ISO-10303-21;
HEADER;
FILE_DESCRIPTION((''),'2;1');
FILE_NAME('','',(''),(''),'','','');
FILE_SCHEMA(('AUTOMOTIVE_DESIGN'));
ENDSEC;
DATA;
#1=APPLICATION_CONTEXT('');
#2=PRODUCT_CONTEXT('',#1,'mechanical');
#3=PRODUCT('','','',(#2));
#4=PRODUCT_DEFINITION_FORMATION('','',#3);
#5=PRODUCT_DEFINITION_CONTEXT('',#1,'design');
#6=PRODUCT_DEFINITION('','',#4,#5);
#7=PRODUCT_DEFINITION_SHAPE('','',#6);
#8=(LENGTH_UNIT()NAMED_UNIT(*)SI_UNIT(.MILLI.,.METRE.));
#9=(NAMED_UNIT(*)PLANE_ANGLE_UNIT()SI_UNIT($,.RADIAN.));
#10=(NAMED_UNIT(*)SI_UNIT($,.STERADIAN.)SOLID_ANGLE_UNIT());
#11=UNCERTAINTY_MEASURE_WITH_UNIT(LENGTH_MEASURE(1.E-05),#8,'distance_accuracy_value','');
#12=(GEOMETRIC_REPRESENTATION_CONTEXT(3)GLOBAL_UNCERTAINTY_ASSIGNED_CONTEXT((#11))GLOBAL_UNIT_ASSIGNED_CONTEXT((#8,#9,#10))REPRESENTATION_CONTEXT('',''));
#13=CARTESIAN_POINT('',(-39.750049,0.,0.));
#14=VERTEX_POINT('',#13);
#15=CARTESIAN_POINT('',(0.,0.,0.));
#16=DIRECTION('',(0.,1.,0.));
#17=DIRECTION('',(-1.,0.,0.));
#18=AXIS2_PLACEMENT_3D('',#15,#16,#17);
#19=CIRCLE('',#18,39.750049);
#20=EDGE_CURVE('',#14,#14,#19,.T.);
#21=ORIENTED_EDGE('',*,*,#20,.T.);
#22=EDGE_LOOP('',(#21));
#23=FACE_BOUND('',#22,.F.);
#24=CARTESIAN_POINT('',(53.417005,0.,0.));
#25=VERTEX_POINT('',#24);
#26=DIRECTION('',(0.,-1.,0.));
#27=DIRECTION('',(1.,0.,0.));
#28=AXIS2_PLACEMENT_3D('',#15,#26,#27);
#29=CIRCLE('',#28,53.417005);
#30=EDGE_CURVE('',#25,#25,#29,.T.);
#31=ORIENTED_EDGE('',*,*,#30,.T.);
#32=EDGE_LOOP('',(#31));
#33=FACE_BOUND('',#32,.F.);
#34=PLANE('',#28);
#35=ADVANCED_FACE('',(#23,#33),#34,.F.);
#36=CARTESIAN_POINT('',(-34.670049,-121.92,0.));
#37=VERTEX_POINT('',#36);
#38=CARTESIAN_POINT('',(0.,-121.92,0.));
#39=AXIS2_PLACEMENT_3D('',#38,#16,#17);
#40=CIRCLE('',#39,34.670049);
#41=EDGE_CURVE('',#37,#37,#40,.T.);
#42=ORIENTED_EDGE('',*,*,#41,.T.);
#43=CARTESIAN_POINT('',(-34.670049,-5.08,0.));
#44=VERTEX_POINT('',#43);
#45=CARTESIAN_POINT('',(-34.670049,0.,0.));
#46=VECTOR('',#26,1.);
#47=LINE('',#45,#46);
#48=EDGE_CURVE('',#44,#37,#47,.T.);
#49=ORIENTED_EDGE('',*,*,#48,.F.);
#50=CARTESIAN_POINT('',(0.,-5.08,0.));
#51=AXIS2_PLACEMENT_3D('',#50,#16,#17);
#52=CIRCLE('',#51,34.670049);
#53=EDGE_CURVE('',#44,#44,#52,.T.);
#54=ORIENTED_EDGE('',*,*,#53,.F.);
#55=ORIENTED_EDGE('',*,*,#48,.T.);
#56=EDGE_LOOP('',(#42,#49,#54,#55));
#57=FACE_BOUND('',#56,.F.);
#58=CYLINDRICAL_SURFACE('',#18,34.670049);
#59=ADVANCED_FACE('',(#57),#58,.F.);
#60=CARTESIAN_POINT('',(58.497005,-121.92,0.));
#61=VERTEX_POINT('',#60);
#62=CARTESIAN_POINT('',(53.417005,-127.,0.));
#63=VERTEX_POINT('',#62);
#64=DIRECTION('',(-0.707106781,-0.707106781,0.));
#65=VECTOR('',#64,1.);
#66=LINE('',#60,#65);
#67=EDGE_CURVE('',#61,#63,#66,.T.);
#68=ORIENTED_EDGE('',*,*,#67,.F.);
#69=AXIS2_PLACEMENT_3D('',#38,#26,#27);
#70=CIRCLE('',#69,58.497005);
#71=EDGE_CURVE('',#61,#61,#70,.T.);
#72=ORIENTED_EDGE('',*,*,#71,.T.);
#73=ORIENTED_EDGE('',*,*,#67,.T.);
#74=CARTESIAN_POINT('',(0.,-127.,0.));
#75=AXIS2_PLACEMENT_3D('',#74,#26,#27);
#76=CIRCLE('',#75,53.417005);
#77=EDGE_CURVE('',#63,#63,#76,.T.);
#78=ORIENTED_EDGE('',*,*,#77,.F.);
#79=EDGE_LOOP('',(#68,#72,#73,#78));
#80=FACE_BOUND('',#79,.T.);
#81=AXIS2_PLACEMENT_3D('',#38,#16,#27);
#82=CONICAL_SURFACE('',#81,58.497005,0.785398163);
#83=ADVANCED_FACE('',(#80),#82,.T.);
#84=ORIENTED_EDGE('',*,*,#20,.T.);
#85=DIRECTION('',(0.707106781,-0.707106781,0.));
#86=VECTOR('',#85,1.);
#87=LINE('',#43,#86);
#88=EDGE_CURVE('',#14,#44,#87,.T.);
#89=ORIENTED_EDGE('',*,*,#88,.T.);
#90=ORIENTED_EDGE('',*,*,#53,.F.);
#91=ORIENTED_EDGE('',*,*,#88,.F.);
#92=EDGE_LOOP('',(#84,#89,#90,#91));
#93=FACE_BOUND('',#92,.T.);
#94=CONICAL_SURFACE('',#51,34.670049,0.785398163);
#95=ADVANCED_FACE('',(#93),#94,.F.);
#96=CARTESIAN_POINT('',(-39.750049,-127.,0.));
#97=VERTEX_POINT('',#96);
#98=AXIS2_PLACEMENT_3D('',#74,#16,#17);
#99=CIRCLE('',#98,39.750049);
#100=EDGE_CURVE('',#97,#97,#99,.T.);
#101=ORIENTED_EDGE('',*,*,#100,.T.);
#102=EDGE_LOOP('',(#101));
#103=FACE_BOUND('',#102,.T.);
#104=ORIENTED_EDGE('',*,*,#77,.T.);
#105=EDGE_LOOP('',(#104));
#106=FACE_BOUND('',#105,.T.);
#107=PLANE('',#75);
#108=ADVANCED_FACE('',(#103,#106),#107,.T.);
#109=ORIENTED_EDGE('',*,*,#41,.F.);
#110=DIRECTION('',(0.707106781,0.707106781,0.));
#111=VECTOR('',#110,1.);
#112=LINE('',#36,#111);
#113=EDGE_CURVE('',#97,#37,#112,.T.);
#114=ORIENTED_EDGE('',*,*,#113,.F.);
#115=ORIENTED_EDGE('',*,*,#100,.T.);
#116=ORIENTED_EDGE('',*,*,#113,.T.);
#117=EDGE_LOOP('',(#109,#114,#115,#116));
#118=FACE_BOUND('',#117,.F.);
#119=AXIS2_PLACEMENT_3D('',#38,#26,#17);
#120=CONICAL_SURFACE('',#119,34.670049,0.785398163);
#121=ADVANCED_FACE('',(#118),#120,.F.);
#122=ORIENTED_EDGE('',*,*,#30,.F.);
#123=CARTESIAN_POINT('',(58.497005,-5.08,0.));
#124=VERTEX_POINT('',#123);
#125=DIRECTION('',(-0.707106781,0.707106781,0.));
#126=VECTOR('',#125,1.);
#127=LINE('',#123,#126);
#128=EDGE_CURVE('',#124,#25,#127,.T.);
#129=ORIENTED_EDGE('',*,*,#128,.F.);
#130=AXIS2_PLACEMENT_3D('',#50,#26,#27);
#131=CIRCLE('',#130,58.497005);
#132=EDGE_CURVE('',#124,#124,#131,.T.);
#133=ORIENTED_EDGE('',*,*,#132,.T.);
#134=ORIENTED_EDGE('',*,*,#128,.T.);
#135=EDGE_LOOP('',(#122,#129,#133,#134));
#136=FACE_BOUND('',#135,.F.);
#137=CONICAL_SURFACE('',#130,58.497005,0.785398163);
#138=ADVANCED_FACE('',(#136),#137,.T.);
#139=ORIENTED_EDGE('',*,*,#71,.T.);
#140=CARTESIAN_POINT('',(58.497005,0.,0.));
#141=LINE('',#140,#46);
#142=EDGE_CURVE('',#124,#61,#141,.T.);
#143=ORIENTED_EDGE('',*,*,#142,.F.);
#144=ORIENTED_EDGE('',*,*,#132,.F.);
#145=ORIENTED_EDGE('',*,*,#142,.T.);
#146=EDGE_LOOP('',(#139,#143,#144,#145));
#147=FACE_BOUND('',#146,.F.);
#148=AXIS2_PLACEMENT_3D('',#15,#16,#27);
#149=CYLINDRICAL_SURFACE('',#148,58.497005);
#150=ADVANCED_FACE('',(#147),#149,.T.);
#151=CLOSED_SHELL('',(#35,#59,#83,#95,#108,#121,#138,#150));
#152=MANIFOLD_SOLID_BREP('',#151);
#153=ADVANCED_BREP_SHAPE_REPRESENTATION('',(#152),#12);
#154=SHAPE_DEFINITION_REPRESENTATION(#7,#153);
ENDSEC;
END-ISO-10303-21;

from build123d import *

# Parameters (mm, degrees)
F0_R     = 58.497005
F1_DEPTH = 127
F2_R     = 34.670049
F3_DEPTH = 127.001
F4_SIZE  = 5.08


with BuildPart() as f1:
    # F0 (on Front) → F1 (new body)
    with BuildSketch(Plane.XZ):
        Circle(F0_R)
    extrude(amount=F1_DEPTH)

    # F2 (on face) → F3 (cut, through all)
    with BuildSketch(Plane(origin=(0, 0, 0), x_dir=(-1, 0, 0), z_dir=(0, 1, 0))):
        Circle(F2_R)
    extrude(amount=-F3_DEPTH, mode=Mode.SUBTRACT)

    # F4
    f4_edges = [f1.edges().sort_by_distance(p)[0] for p in [
        (-58.497005, 0, 0),
        (34.670049, 0, 0),
        (-58.497005, -127, 0),
        (34.670049, -127, 0),
    ]]
    chamfer(f4_edges, length=F4_SIZE)


solid = f1.part
